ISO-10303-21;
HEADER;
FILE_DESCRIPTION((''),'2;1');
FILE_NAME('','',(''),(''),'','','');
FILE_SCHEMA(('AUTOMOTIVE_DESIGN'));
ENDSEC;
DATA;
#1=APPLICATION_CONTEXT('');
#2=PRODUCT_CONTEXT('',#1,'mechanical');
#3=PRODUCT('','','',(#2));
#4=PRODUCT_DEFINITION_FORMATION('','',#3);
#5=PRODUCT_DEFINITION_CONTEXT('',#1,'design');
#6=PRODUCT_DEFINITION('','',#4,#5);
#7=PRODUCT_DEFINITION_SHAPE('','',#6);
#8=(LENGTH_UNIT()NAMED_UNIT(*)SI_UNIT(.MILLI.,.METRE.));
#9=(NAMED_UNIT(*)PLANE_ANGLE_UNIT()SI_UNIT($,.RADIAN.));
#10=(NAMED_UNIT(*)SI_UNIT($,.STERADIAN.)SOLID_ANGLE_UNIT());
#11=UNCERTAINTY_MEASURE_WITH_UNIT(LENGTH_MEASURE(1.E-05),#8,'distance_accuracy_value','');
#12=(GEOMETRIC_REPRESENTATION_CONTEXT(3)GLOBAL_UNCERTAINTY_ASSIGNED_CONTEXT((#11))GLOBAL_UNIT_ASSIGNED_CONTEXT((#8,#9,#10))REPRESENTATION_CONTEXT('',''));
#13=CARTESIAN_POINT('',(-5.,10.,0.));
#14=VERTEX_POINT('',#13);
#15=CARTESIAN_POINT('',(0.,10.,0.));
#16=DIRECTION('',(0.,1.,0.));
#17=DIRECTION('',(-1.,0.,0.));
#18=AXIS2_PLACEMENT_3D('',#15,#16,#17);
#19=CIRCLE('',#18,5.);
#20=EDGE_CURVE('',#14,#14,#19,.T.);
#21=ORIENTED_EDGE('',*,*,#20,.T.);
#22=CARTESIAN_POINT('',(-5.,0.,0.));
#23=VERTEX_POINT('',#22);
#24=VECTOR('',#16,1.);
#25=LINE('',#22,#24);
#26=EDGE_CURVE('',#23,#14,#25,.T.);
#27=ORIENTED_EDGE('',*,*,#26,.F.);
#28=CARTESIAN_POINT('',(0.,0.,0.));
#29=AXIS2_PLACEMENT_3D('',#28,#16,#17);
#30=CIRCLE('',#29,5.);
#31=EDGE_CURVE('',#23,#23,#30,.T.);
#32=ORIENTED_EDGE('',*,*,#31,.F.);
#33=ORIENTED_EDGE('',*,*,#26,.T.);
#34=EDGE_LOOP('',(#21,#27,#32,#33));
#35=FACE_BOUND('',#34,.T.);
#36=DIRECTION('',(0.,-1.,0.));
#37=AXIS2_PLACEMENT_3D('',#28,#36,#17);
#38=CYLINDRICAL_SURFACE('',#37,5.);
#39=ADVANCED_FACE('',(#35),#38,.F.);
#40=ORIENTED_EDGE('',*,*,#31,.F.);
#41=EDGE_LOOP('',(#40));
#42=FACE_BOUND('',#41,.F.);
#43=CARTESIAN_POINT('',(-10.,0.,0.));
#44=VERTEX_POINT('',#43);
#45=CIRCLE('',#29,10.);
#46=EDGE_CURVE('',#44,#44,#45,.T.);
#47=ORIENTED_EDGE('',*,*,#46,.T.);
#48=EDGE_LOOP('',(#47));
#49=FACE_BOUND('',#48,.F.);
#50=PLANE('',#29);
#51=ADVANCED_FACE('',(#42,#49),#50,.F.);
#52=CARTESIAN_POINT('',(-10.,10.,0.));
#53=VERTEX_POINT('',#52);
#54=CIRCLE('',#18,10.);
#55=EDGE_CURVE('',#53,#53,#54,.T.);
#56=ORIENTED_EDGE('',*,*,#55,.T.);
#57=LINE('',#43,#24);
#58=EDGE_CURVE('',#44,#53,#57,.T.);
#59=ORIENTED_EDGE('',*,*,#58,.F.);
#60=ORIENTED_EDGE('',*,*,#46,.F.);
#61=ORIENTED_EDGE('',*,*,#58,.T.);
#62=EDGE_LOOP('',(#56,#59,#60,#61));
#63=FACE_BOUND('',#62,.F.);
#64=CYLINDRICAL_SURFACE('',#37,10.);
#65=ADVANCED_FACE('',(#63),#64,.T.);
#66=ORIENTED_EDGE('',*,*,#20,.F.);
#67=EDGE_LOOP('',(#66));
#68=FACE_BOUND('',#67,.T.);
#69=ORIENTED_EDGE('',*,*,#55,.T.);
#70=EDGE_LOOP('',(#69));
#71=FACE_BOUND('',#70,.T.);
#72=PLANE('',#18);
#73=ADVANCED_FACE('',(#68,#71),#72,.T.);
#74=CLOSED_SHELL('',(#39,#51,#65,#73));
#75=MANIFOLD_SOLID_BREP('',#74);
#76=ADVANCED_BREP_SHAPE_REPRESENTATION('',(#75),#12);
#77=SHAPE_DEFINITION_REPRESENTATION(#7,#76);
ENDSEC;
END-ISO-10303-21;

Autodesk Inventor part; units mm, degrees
ref_plane "YZ Plane" through (0, 0, 0) normal (1, 0, 0) x (0, 1, 0)
ref_plane "XZ Plane" through (0, 0, 0) normal (0, 1, 0) x (-1, 0, 0)
ref_plane "XY Plane" through (0, 0, 0) normal (0, 0, 1) x (1, 0, 0)
sketch "Sketch1" plane through (0, 0, 0) normal (0, 1, 0) x (-1, 0, 0)
  circle A0 centre (0, 0) radius 5
  circle A1 centre (0, 0) radius 10
  dimension "d0" = 10
  dimension "d1" = 20
extrude "Extrusion1" add sketch "Sketch1" along normal blind 10
properties part number "thrust bearing for ball screw"
